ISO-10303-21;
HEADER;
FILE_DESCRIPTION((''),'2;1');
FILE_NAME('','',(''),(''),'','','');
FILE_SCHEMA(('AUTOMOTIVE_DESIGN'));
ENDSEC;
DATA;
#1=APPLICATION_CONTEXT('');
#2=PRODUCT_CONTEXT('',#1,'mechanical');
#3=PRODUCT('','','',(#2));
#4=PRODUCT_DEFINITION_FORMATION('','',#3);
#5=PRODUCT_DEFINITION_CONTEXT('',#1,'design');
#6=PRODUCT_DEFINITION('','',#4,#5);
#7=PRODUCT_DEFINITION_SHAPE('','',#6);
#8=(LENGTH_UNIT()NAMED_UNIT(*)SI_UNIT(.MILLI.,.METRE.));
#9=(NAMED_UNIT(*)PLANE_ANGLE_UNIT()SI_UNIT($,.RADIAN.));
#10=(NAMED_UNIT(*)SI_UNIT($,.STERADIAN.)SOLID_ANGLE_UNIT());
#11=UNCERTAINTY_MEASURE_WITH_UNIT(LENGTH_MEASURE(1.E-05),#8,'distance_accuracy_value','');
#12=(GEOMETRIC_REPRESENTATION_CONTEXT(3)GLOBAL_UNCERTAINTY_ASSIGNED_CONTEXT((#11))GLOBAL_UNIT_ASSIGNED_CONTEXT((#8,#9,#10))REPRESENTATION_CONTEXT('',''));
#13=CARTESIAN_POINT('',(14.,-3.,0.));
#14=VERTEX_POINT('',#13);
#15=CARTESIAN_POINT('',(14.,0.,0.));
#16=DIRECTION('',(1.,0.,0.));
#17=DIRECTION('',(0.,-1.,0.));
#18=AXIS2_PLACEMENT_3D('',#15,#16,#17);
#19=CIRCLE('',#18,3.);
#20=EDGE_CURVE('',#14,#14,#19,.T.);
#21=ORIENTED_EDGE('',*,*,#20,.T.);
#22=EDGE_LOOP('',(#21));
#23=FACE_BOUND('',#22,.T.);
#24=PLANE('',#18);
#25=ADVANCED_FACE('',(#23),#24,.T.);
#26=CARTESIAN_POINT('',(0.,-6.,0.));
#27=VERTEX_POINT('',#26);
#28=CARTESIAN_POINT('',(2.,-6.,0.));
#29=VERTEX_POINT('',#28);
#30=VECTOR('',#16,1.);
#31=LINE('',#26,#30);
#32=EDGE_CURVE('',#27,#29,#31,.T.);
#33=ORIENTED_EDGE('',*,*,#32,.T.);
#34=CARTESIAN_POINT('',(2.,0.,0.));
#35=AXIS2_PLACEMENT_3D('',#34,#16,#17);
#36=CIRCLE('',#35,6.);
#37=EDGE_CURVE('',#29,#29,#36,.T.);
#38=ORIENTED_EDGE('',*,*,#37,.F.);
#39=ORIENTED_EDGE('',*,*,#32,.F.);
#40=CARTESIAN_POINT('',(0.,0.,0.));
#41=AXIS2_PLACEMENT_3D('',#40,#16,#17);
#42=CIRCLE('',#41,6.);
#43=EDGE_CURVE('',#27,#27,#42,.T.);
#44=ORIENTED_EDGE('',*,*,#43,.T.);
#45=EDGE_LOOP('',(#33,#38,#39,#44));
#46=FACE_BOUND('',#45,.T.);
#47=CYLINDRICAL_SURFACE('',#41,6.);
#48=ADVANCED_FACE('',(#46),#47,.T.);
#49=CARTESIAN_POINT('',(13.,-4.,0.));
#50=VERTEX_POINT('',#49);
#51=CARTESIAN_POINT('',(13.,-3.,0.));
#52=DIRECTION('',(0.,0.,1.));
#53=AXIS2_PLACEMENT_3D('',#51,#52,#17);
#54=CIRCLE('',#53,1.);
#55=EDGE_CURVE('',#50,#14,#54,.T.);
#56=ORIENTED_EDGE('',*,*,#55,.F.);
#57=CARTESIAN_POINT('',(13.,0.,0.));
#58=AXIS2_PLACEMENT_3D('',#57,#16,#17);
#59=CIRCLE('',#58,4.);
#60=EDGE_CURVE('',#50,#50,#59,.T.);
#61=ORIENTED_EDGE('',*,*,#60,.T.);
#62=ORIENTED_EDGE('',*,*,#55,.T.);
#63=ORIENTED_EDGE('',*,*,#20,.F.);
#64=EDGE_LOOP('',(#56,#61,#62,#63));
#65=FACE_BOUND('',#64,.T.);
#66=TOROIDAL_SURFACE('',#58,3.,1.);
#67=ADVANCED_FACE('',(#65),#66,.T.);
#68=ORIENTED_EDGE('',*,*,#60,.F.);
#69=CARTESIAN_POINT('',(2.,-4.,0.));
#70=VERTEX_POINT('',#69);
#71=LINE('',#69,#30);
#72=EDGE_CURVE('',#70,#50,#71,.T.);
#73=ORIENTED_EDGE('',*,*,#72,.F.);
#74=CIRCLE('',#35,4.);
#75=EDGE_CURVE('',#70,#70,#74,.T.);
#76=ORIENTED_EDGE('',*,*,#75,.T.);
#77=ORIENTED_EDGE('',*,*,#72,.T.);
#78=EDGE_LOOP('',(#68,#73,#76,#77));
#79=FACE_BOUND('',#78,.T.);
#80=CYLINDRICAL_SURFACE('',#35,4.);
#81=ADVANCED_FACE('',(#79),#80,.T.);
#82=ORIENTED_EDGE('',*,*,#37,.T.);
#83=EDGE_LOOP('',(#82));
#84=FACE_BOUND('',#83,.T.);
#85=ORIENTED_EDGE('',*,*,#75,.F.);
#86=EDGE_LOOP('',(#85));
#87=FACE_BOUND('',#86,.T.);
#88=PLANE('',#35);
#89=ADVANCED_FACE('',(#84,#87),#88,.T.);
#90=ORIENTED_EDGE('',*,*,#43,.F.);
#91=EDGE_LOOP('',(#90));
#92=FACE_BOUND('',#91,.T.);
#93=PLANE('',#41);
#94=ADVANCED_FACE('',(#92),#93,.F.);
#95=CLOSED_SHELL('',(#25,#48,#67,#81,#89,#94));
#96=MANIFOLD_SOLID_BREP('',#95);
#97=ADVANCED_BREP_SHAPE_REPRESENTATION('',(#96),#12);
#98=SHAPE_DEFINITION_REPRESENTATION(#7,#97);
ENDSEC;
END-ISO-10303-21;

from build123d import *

# Parameters (mm, degrees)
F2_R = 1


with BuildPart() as f1:
    # F0 (on Top) → F1 (revolve)
    with BuildSketch(Plane.XY):
        Polygon((2, 0), (0, 0), (0, -6), (2, -6), (2, -4), (14, -4), (14, 0), align=None)
    revolve(axis=Axis((7.321462, 0, 0), (1, 0, 0)))

    # F2
    f2_edges = [f1.edges().sort_by_distance(p)[0] for p in [
        (14, 4, 0),
    ]]
    fillet(f2_edges, radius=F2_R)


solid = f1.part
